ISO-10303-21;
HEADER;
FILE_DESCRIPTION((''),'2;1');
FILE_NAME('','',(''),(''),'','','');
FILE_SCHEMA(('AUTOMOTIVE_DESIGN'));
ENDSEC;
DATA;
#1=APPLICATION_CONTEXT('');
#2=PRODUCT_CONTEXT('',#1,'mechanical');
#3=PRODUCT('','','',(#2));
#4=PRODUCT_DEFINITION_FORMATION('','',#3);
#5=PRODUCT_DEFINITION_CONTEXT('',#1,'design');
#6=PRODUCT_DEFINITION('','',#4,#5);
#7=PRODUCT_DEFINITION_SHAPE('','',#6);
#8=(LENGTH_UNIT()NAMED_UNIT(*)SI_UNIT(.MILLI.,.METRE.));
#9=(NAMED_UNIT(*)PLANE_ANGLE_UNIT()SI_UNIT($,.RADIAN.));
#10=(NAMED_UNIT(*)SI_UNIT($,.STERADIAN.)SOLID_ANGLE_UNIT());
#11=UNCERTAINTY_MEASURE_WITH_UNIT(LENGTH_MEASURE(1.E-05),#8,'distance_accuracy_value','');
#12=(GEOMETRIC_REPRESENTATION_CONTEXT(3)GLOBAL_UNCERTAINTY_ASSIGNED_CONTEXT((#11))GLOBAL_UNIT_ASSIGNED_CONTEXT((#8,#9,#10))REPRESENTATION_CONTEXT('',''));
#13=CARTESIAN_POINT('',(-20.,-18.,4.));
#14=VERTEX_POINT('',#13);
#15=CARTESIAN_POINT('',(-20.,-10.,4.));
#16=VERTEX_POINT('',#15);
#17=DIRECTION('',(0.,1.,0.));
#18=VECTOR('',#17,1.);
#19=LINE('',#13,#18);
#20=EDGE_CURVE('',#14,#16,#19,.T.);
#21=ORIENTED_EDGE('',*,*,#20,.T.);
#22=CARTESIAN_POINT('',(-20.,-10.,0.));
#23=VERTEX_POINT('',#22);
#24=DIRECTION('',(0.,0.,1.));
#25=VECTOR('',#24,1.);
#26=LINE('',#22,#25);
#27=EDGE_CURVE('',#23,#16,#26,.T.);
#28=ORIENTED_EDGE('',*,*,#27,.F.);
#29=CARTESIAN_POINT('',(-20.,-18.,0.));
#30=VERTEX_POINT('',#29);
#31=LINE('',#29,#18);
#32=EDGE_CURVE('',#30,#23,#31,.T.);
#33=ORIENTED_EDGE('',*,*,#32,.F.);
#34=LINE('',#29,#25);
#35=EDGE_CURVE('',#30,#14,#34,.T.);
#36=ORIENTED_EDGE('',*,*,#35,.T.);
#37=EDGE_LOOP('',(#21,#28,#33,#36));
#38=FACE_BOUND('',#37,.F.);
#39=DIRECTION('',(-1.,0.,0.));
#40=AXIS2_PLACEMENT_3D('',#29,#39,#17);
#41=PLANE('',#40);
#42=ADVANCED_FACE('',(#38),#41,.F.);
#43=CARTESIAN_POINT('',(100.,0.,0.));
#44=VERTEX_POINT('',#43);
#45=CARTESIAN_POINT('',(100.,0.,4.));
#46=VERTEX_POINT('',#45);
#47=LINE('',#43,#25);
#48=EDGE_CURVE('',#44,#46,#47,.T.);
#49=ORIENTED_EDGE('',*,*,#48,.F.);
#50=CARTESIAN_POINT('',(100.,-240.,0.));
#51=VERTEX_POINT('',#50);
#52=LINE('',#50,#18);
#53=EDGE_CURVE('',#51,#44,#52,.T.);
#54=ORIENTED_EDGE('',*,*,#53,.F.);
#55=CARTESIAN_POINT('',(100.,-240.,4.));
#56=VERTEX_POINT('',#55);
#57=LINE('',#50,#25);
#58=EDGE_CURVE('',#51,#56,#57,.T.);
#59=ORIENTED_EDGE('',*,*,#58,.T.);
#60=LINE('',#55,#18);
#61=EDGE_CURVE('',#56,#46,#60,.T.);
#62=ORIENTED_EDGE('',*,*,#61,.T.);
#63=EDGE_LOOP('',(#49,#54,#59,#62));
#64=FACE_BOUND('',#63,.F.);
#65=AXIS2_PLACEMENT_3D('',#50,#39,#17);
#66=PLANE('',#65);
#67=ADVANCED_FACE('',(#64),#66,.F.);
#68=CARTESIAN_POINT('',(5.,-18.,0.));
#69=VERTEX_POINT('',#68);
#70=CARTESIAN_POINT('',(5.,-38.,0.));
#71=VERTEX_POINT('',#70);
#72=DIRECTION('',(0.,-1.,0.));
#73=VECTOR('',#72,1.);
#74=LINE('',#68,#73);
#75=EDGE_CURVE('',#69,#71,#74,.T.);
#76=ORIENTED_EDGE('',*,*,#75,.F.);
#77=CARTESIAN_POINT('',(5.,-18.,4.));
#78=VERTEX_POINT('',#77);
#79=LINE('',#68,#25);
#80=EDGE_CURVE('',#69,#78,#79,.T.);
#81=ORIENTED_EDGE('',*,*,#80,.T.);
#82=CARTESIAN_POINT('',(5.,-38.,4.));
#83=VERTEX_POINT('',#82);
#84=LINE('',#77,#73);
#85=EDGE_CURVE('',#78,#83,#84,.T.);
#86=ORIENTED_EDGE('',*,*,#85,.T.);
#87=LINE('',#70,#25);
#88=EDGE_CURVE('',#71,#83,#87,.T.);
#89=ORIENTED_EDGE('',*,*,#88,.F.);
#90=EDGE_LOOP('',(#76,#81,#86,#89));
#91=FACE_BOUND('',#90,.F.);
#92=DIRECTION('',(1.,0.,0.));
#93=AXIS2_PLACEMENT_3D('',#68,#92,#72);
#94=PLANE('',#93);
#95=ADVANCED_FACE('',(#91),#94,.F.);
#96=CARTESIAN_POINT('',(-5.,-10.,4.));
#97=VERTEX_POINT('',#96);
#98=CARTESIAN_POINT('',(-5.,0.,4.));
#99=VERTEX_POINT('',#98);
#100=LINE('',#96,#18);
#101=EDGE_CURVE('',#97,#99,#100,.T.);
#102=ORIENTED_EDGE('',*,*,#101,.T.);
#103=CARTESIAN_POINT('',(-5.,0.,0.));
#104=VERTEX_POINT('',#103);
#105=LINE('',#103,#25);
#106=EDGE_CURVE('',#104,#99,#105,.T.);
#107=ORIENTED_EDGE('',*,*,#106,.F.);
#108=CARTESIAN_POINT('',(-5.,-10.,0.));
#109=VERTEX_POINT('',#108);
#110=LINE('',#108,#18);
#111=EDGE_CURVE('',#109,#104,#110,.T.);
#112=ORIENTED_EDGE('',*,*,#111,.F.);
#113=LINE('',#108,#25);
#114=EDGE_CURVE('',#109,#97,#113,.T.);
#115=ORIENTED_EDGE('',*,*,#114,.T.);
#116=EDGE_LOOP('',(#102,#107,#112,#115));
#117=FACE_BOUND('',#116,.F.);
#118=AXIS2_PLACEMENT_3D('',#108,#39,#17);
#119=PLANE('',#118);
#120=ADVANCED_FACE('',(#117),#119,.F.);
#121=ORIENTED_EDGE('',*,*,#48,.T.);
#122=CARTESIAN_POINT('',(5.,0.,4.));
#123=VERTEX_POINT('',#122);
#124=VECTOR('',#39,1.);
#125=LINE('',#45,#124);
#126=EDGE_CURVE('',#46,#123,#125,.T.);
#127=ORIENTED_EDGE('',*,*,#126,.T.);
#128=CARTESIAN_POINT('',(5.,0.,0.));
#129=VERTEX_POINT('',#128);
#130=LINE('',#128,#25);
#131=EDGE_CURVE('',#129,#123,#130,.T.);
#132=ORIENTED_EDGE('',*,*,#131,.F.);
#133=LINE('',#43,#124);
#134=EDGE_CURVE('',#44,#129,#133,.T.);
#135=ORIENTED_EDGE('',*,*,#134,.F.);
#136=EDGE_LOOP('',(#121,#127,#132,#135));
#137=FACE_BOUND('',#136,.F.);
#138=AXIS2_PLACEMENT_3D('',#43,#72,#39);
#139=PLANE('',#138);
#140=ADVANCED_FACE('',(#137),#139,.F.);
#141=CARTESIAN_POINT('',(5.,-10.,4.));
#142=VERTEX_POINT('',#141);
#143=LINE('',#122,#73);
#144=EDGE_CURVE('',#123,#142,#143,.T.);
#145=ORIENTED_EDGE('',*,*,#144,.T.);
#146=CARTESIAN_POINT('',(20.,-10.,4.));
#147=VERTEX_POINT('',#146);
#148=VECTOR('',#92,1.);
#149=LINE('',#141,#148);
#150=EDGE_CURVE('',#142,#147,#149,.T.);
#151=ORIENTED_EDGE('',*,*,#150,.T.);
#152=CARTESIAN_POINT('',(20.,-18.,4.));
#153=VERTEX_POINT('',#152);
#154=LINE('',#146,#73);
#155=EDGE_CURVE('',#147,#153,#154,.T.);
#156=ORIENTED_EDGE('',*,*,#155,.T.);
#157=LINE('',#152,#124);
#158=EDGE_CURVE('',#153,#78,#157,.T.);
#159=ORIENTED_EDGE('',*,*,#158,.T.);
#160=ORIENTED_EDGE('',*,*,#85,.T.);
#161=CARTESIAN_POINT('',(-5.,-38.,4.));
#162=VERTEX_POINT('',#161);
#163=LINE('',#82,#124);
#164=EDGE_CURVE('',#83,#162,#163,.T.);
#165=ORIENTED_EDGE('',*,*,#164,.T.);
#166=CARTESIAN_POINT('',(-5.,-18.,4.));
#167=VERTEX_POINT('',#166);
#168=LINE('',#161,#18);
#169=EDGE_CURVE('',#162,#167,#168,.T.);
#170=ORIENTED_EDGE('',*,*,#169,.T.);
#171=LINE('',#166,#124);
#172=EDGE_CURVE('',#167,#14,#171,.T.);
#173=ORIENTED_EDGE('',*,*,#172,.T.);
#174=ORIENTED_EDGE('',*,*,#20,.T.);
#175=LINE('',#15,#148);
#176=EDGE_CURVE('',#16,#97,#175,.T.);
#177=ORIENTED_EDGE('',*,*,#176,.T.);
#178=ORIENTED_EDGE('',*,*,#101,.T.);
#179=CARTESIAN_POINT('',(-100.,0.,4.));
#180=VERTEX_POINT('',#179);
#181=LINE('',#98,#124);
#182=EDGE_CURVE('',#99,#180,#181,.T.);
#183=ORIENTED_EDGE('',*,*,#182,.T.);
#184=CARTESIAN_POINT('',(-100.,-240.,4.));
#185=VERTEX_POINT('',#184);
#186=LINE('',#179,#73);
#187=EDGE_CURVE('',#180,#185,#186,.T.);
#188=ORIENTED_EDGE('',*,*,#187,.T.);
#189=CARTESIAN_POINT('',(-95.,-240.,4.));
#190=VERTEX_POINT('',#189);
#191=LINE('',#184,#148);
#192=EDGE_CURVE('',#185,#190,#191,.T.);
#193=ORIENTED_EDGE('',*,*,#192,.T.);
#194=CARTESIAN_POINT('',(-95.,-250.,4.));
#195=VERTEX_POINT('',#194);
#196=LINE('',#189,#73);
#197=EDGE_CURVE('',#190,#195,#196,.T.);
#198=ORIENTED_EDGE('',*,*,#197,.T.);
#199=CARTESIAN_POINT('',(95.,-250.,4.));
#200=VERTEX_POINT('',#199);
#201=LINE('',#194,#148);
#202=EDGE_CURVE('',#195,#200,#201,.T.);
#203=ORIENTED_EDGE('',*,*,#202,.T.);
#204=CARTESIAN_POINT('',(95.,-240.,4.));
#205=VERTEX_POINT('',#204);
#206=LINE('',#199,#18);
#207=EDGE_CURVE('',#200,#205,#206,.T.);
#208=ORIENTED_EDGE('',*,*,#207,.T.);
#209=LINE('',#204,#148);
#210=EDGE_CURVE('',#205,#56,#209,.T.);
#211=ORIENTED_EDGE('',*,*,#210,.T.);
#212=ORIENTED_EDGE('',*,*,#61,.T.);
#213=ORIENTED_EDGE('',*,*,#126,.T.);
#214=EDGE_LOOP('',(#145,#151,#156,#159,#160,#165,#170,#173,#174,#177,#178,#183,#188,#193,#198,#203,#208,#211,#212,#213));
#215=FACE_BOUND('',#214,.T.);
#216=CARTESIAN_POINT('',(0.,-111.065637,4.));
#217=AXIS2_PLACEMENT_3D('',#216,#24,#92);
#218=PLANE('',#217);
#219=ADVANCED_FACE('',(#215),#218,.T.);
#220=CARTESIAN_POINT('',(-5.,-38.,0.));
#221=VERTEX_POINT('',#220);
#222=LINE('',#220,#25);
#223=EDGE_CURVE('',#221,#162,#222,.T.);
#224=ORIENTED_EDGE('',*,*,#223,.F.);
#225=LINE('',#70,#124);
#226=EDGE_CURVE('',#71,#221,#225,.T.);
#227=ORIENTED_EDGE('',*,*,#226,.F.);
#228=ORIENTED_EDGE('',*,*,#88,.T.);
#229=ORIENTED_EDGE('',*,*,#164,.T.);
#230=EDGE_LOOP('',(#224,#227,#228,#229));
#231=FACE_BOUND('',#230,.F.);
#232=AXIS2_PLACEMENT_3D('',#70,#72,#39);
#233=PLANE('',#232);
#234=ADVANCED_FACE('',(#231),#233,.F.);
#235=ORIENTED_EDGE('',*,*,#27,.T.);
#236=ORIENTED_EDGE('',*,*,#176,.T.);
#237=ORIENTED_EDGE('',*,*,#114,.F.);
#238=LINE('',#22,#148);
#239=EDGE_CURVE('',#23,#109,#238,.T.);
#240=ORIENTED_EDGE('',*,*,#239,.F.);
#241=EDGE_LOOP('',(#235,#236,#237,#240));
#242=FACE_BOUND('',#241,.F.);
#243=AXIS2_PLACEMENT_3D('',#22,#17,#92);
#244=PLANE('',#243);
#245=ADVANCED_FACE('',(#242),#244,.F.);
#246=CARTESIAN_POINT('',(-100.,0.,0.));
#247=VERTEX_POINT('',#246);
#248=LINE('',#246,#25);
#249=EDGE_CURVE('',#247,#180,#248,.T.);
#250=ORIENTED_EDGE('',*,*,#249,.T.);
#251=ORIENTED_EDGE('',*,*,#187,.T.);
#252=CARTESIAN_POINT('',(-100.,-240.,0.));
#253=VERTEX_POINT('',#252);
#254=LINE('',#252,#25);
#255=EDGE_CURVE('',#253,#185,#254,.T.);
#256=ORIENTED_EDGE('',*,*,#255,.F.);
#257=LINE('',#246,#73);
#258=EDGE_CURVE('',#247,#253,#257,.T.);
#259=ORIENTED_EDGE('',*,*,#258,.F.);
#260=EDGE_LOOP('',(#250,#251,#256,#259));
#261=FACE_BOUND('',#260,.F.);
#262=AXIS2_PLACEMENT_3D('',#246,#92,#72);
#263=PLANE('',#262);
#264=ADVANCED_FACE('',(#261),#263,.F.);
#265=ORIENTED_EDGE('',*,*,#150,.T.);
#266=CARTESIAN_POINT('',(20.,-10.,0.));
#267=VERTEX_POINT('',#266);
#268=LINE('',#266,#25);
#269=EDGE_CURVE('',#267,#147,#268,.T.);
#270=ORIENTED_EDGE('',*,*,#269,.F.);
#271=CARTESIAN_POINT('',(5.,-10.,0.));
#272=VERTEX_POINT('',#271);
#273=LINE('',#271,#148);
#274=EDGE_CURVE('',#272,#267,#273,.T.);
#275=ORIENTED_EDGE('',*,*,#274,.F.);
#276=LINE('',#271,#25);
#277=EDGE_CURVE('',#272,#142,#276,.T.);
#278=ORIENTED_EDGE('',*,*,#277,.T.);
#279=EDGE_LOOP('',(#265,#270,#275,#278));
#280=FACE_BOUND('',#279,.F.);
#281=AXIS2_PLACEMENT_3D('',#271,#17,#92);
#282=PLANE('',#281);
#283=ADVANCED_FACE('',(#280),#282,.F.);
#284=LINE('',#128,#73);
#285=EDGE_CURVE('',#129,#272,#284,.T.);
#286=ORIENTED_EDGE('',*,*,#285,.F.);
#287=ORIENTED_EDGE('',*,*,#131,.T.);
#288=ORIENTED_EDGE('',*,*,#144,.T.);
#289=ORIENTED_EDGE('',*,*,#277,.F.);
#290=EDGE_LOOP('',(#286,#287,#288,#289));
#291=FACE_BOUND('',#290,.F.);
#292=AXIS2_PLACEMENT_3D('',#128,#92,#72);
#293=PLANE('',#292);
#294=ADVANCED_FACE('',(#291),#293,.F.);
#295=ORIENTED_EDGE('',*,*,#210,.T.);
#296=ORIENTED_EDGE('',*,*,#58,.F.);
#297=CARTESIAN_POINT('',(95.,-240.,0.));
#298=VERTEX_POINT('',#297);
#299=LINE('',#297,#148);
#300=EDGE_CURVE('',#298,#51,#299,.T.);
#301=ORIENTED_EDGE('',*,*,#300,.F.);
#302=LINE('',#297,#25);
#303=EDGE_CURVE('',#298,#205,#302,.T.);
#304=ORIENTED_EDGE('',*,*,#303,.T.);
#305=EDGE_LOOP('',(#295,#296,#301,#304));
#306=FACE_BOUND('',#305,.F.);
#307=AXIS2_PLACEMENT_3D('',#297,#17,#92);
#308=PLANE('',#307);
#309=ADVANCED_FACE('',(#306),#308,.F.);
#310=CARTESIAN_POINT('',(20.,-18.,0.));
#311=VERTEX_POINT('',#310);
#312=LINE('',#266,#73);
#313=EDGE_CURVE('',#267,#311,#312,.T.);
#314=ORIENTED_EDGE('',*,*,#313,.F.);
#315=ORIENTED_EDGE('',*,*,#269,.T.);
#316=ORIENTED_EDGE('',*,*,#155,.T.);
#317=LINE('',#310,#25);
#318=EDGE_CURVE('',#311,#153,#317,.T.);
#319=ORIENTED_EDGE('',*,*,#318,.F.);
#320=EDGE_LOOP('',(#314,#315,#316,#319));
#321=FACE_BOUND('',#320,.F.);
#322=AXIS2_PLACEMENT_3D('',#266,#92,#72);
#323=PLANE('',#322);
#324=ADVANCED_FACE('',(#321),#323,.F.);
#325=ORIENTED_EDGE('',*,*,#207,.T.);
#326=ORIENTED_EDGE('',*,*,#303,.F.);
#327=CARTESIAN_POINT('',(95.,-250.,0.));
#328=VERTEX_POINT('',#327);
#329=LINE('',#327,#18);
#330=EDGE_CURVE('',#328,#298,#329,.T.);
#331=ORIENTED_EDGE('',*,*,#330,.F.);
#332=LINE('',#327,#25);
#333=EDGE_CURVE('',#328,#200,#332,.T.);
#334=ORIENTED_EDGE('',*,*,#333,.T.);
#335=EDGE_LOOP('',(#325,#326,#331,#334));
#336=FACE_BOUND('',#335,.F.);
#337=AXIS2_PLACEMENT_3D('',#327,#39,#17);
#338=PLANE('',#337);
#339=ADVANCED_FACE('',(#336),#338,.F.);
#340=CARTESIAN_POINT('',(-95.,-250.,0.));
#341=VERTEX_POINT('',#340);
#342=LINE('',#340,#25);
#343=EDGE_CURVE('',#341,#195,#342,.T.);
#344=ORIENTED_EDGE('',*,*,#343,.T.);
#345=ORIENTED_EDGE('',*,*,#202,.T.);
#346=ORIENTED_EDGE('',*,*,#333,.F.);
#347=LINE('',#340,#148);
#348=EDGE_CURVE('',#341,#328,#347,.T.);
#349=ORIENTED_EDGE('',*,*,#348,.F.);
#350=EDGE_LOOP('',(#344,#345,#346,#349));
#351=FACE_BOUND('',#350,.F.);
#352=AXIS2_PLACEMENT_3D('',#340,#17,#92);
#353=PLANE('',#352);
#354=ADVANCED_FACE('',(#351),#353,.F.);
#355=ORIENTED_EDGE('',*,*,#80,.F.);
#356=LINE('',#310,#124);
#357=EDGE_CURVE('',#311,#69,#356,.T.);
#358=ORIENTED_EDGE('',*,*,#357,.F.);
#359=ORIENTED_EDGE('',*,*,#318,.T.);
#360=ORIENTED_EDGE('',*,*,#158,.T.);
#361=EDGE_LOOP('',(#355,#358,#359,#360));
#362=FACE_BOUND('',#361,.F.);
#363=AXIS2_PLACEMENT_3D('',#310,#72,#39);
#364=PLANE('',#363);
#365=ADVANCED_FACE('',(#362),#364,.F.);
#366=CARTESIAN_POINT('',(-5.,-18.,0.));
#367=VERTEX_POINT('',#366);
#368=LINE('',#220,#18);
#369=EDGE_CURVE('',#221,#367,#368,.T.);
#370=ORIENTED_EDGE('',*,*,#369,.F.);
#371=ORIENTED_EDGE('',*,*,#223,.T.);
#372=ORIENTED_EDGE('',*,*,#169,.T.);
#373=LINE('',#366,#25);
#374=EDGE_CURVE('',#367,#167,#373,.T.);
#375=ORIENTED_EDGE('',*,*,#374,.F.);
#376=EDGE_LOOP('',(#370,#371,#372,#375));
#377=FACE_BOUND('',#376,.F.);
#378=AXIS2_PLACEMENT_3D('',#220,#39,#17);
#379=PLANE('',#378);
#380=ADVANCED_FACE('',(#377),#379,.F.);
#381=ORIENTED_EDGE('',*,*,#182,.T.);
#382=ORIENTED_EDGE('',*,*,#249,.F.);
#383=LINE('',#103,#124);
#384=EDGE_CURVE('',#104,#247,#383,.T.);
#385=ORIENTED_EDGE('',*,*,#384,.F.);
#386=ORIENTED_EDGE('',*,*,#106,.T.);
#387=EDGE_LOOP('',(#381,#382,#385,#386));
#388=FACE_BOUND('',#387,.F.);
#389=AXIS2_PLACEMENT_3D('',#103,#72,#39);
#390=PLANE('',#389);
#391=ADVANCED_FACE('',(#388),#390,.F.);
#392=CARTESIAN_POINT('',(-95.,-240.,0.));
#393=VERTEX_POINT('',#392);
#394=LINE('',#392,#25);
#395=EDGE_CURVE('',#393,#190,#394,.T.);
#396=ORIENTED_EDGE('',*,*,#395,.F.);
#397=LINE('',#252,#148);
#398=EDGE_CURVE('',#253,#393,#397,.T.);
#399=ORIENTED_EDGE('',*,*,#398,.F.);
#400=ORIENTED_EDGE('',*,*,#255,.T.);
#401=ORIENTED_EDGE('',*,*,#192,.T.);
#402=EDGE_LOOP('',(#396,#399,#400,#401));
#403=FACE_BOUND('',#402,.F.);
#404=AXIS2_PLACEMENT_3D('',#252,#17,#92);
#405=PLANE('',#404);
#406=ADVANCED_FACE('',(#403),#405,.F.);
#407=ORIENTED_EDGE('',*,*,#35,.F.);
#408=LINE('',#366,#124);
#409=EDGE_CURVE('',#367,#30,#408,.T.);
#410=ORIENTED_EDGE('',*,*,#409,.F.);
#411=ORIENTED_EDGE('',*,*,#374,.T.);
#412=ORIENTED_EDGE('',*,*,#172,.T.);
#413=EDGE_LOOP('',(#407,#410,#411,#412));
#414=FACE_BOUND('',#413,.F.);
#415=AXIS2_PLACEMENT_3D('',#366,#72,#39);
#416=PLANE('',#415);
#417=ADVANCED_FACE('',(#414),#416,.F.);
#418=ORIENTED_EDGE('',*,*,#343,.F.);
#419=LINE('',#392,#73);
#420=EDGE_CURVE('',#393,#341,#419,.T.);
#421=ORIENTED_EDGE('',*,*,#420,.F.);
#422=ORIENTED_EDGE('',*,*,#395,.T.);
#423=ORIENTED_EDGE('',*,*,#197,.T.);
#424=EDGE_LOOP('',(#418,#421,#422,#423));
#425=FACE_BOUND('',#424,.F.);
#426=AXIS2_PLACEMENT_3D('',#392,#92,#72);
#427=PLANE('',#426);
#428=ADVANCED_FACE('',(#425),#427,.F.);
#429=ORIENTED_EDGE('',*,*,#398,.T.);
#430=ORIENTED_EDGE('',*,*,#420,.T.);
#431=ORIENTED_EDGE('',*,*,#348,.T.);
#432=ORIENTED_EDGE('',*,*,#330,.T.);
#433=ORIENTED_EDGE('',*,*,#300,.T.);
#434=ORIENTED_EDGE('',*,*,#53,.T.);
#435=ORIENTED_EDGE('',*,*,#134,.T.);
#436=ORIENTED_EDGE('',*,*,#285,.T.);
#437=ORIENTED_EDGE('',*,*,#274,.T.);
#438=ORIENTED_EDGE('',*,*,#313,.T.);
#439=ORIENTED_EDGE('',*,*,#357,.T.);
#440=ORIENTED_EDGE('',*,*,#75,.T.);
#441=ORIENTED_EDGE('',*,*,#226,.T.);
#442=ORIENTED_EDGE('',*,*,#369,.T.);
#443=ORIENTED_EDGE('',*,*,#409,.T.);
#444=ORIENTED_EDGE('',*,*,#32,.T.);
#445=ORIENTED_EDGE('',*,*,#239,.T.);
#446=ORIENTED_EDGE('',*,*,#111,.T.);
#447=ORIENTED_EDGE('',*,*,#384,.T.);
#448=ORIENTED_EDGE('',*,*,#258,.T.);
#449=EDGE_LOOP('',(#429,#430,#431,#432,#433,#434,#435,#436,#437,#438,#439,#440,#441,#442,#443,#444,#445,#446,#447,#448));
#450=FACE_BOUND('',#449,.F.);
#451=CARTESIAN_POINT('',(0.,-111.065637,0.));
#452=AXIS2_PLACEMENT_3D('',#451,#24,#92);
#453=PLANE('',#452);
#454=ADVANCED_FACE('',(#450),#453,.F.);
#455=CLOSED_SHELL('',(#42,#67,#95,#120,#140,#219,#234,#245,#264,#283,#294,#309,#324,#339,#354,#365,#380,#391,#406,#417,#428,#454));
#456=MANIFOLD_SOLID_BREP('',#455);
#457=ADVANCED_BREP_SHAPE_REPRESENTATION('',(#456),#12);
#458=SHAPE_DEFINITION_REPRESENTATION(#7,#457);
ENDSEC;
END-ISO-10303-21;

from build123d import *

# Parameters (mm, degrees)
F1_DEPTH = 4


with BuildPart() as f1:
    # F0 (on Top) → F1 (new body)
    with BuildSketch(Plane.XY):
        Polygon((5, -10), (20, -10), (20, -18), (5, -18), (5, -38), (-5, -38), (-5, -18), (-20, -18), (-20, -10), (-5, -10), (-5, 0), (-100, 0), (-100, -240), (-95, -240), (-95, -250), (95, -250), (95, -240), (100, -240), (100, 0), (5, 0), align=None)
    extrude(amount=F1_DEPTH)


solid = f1.part
